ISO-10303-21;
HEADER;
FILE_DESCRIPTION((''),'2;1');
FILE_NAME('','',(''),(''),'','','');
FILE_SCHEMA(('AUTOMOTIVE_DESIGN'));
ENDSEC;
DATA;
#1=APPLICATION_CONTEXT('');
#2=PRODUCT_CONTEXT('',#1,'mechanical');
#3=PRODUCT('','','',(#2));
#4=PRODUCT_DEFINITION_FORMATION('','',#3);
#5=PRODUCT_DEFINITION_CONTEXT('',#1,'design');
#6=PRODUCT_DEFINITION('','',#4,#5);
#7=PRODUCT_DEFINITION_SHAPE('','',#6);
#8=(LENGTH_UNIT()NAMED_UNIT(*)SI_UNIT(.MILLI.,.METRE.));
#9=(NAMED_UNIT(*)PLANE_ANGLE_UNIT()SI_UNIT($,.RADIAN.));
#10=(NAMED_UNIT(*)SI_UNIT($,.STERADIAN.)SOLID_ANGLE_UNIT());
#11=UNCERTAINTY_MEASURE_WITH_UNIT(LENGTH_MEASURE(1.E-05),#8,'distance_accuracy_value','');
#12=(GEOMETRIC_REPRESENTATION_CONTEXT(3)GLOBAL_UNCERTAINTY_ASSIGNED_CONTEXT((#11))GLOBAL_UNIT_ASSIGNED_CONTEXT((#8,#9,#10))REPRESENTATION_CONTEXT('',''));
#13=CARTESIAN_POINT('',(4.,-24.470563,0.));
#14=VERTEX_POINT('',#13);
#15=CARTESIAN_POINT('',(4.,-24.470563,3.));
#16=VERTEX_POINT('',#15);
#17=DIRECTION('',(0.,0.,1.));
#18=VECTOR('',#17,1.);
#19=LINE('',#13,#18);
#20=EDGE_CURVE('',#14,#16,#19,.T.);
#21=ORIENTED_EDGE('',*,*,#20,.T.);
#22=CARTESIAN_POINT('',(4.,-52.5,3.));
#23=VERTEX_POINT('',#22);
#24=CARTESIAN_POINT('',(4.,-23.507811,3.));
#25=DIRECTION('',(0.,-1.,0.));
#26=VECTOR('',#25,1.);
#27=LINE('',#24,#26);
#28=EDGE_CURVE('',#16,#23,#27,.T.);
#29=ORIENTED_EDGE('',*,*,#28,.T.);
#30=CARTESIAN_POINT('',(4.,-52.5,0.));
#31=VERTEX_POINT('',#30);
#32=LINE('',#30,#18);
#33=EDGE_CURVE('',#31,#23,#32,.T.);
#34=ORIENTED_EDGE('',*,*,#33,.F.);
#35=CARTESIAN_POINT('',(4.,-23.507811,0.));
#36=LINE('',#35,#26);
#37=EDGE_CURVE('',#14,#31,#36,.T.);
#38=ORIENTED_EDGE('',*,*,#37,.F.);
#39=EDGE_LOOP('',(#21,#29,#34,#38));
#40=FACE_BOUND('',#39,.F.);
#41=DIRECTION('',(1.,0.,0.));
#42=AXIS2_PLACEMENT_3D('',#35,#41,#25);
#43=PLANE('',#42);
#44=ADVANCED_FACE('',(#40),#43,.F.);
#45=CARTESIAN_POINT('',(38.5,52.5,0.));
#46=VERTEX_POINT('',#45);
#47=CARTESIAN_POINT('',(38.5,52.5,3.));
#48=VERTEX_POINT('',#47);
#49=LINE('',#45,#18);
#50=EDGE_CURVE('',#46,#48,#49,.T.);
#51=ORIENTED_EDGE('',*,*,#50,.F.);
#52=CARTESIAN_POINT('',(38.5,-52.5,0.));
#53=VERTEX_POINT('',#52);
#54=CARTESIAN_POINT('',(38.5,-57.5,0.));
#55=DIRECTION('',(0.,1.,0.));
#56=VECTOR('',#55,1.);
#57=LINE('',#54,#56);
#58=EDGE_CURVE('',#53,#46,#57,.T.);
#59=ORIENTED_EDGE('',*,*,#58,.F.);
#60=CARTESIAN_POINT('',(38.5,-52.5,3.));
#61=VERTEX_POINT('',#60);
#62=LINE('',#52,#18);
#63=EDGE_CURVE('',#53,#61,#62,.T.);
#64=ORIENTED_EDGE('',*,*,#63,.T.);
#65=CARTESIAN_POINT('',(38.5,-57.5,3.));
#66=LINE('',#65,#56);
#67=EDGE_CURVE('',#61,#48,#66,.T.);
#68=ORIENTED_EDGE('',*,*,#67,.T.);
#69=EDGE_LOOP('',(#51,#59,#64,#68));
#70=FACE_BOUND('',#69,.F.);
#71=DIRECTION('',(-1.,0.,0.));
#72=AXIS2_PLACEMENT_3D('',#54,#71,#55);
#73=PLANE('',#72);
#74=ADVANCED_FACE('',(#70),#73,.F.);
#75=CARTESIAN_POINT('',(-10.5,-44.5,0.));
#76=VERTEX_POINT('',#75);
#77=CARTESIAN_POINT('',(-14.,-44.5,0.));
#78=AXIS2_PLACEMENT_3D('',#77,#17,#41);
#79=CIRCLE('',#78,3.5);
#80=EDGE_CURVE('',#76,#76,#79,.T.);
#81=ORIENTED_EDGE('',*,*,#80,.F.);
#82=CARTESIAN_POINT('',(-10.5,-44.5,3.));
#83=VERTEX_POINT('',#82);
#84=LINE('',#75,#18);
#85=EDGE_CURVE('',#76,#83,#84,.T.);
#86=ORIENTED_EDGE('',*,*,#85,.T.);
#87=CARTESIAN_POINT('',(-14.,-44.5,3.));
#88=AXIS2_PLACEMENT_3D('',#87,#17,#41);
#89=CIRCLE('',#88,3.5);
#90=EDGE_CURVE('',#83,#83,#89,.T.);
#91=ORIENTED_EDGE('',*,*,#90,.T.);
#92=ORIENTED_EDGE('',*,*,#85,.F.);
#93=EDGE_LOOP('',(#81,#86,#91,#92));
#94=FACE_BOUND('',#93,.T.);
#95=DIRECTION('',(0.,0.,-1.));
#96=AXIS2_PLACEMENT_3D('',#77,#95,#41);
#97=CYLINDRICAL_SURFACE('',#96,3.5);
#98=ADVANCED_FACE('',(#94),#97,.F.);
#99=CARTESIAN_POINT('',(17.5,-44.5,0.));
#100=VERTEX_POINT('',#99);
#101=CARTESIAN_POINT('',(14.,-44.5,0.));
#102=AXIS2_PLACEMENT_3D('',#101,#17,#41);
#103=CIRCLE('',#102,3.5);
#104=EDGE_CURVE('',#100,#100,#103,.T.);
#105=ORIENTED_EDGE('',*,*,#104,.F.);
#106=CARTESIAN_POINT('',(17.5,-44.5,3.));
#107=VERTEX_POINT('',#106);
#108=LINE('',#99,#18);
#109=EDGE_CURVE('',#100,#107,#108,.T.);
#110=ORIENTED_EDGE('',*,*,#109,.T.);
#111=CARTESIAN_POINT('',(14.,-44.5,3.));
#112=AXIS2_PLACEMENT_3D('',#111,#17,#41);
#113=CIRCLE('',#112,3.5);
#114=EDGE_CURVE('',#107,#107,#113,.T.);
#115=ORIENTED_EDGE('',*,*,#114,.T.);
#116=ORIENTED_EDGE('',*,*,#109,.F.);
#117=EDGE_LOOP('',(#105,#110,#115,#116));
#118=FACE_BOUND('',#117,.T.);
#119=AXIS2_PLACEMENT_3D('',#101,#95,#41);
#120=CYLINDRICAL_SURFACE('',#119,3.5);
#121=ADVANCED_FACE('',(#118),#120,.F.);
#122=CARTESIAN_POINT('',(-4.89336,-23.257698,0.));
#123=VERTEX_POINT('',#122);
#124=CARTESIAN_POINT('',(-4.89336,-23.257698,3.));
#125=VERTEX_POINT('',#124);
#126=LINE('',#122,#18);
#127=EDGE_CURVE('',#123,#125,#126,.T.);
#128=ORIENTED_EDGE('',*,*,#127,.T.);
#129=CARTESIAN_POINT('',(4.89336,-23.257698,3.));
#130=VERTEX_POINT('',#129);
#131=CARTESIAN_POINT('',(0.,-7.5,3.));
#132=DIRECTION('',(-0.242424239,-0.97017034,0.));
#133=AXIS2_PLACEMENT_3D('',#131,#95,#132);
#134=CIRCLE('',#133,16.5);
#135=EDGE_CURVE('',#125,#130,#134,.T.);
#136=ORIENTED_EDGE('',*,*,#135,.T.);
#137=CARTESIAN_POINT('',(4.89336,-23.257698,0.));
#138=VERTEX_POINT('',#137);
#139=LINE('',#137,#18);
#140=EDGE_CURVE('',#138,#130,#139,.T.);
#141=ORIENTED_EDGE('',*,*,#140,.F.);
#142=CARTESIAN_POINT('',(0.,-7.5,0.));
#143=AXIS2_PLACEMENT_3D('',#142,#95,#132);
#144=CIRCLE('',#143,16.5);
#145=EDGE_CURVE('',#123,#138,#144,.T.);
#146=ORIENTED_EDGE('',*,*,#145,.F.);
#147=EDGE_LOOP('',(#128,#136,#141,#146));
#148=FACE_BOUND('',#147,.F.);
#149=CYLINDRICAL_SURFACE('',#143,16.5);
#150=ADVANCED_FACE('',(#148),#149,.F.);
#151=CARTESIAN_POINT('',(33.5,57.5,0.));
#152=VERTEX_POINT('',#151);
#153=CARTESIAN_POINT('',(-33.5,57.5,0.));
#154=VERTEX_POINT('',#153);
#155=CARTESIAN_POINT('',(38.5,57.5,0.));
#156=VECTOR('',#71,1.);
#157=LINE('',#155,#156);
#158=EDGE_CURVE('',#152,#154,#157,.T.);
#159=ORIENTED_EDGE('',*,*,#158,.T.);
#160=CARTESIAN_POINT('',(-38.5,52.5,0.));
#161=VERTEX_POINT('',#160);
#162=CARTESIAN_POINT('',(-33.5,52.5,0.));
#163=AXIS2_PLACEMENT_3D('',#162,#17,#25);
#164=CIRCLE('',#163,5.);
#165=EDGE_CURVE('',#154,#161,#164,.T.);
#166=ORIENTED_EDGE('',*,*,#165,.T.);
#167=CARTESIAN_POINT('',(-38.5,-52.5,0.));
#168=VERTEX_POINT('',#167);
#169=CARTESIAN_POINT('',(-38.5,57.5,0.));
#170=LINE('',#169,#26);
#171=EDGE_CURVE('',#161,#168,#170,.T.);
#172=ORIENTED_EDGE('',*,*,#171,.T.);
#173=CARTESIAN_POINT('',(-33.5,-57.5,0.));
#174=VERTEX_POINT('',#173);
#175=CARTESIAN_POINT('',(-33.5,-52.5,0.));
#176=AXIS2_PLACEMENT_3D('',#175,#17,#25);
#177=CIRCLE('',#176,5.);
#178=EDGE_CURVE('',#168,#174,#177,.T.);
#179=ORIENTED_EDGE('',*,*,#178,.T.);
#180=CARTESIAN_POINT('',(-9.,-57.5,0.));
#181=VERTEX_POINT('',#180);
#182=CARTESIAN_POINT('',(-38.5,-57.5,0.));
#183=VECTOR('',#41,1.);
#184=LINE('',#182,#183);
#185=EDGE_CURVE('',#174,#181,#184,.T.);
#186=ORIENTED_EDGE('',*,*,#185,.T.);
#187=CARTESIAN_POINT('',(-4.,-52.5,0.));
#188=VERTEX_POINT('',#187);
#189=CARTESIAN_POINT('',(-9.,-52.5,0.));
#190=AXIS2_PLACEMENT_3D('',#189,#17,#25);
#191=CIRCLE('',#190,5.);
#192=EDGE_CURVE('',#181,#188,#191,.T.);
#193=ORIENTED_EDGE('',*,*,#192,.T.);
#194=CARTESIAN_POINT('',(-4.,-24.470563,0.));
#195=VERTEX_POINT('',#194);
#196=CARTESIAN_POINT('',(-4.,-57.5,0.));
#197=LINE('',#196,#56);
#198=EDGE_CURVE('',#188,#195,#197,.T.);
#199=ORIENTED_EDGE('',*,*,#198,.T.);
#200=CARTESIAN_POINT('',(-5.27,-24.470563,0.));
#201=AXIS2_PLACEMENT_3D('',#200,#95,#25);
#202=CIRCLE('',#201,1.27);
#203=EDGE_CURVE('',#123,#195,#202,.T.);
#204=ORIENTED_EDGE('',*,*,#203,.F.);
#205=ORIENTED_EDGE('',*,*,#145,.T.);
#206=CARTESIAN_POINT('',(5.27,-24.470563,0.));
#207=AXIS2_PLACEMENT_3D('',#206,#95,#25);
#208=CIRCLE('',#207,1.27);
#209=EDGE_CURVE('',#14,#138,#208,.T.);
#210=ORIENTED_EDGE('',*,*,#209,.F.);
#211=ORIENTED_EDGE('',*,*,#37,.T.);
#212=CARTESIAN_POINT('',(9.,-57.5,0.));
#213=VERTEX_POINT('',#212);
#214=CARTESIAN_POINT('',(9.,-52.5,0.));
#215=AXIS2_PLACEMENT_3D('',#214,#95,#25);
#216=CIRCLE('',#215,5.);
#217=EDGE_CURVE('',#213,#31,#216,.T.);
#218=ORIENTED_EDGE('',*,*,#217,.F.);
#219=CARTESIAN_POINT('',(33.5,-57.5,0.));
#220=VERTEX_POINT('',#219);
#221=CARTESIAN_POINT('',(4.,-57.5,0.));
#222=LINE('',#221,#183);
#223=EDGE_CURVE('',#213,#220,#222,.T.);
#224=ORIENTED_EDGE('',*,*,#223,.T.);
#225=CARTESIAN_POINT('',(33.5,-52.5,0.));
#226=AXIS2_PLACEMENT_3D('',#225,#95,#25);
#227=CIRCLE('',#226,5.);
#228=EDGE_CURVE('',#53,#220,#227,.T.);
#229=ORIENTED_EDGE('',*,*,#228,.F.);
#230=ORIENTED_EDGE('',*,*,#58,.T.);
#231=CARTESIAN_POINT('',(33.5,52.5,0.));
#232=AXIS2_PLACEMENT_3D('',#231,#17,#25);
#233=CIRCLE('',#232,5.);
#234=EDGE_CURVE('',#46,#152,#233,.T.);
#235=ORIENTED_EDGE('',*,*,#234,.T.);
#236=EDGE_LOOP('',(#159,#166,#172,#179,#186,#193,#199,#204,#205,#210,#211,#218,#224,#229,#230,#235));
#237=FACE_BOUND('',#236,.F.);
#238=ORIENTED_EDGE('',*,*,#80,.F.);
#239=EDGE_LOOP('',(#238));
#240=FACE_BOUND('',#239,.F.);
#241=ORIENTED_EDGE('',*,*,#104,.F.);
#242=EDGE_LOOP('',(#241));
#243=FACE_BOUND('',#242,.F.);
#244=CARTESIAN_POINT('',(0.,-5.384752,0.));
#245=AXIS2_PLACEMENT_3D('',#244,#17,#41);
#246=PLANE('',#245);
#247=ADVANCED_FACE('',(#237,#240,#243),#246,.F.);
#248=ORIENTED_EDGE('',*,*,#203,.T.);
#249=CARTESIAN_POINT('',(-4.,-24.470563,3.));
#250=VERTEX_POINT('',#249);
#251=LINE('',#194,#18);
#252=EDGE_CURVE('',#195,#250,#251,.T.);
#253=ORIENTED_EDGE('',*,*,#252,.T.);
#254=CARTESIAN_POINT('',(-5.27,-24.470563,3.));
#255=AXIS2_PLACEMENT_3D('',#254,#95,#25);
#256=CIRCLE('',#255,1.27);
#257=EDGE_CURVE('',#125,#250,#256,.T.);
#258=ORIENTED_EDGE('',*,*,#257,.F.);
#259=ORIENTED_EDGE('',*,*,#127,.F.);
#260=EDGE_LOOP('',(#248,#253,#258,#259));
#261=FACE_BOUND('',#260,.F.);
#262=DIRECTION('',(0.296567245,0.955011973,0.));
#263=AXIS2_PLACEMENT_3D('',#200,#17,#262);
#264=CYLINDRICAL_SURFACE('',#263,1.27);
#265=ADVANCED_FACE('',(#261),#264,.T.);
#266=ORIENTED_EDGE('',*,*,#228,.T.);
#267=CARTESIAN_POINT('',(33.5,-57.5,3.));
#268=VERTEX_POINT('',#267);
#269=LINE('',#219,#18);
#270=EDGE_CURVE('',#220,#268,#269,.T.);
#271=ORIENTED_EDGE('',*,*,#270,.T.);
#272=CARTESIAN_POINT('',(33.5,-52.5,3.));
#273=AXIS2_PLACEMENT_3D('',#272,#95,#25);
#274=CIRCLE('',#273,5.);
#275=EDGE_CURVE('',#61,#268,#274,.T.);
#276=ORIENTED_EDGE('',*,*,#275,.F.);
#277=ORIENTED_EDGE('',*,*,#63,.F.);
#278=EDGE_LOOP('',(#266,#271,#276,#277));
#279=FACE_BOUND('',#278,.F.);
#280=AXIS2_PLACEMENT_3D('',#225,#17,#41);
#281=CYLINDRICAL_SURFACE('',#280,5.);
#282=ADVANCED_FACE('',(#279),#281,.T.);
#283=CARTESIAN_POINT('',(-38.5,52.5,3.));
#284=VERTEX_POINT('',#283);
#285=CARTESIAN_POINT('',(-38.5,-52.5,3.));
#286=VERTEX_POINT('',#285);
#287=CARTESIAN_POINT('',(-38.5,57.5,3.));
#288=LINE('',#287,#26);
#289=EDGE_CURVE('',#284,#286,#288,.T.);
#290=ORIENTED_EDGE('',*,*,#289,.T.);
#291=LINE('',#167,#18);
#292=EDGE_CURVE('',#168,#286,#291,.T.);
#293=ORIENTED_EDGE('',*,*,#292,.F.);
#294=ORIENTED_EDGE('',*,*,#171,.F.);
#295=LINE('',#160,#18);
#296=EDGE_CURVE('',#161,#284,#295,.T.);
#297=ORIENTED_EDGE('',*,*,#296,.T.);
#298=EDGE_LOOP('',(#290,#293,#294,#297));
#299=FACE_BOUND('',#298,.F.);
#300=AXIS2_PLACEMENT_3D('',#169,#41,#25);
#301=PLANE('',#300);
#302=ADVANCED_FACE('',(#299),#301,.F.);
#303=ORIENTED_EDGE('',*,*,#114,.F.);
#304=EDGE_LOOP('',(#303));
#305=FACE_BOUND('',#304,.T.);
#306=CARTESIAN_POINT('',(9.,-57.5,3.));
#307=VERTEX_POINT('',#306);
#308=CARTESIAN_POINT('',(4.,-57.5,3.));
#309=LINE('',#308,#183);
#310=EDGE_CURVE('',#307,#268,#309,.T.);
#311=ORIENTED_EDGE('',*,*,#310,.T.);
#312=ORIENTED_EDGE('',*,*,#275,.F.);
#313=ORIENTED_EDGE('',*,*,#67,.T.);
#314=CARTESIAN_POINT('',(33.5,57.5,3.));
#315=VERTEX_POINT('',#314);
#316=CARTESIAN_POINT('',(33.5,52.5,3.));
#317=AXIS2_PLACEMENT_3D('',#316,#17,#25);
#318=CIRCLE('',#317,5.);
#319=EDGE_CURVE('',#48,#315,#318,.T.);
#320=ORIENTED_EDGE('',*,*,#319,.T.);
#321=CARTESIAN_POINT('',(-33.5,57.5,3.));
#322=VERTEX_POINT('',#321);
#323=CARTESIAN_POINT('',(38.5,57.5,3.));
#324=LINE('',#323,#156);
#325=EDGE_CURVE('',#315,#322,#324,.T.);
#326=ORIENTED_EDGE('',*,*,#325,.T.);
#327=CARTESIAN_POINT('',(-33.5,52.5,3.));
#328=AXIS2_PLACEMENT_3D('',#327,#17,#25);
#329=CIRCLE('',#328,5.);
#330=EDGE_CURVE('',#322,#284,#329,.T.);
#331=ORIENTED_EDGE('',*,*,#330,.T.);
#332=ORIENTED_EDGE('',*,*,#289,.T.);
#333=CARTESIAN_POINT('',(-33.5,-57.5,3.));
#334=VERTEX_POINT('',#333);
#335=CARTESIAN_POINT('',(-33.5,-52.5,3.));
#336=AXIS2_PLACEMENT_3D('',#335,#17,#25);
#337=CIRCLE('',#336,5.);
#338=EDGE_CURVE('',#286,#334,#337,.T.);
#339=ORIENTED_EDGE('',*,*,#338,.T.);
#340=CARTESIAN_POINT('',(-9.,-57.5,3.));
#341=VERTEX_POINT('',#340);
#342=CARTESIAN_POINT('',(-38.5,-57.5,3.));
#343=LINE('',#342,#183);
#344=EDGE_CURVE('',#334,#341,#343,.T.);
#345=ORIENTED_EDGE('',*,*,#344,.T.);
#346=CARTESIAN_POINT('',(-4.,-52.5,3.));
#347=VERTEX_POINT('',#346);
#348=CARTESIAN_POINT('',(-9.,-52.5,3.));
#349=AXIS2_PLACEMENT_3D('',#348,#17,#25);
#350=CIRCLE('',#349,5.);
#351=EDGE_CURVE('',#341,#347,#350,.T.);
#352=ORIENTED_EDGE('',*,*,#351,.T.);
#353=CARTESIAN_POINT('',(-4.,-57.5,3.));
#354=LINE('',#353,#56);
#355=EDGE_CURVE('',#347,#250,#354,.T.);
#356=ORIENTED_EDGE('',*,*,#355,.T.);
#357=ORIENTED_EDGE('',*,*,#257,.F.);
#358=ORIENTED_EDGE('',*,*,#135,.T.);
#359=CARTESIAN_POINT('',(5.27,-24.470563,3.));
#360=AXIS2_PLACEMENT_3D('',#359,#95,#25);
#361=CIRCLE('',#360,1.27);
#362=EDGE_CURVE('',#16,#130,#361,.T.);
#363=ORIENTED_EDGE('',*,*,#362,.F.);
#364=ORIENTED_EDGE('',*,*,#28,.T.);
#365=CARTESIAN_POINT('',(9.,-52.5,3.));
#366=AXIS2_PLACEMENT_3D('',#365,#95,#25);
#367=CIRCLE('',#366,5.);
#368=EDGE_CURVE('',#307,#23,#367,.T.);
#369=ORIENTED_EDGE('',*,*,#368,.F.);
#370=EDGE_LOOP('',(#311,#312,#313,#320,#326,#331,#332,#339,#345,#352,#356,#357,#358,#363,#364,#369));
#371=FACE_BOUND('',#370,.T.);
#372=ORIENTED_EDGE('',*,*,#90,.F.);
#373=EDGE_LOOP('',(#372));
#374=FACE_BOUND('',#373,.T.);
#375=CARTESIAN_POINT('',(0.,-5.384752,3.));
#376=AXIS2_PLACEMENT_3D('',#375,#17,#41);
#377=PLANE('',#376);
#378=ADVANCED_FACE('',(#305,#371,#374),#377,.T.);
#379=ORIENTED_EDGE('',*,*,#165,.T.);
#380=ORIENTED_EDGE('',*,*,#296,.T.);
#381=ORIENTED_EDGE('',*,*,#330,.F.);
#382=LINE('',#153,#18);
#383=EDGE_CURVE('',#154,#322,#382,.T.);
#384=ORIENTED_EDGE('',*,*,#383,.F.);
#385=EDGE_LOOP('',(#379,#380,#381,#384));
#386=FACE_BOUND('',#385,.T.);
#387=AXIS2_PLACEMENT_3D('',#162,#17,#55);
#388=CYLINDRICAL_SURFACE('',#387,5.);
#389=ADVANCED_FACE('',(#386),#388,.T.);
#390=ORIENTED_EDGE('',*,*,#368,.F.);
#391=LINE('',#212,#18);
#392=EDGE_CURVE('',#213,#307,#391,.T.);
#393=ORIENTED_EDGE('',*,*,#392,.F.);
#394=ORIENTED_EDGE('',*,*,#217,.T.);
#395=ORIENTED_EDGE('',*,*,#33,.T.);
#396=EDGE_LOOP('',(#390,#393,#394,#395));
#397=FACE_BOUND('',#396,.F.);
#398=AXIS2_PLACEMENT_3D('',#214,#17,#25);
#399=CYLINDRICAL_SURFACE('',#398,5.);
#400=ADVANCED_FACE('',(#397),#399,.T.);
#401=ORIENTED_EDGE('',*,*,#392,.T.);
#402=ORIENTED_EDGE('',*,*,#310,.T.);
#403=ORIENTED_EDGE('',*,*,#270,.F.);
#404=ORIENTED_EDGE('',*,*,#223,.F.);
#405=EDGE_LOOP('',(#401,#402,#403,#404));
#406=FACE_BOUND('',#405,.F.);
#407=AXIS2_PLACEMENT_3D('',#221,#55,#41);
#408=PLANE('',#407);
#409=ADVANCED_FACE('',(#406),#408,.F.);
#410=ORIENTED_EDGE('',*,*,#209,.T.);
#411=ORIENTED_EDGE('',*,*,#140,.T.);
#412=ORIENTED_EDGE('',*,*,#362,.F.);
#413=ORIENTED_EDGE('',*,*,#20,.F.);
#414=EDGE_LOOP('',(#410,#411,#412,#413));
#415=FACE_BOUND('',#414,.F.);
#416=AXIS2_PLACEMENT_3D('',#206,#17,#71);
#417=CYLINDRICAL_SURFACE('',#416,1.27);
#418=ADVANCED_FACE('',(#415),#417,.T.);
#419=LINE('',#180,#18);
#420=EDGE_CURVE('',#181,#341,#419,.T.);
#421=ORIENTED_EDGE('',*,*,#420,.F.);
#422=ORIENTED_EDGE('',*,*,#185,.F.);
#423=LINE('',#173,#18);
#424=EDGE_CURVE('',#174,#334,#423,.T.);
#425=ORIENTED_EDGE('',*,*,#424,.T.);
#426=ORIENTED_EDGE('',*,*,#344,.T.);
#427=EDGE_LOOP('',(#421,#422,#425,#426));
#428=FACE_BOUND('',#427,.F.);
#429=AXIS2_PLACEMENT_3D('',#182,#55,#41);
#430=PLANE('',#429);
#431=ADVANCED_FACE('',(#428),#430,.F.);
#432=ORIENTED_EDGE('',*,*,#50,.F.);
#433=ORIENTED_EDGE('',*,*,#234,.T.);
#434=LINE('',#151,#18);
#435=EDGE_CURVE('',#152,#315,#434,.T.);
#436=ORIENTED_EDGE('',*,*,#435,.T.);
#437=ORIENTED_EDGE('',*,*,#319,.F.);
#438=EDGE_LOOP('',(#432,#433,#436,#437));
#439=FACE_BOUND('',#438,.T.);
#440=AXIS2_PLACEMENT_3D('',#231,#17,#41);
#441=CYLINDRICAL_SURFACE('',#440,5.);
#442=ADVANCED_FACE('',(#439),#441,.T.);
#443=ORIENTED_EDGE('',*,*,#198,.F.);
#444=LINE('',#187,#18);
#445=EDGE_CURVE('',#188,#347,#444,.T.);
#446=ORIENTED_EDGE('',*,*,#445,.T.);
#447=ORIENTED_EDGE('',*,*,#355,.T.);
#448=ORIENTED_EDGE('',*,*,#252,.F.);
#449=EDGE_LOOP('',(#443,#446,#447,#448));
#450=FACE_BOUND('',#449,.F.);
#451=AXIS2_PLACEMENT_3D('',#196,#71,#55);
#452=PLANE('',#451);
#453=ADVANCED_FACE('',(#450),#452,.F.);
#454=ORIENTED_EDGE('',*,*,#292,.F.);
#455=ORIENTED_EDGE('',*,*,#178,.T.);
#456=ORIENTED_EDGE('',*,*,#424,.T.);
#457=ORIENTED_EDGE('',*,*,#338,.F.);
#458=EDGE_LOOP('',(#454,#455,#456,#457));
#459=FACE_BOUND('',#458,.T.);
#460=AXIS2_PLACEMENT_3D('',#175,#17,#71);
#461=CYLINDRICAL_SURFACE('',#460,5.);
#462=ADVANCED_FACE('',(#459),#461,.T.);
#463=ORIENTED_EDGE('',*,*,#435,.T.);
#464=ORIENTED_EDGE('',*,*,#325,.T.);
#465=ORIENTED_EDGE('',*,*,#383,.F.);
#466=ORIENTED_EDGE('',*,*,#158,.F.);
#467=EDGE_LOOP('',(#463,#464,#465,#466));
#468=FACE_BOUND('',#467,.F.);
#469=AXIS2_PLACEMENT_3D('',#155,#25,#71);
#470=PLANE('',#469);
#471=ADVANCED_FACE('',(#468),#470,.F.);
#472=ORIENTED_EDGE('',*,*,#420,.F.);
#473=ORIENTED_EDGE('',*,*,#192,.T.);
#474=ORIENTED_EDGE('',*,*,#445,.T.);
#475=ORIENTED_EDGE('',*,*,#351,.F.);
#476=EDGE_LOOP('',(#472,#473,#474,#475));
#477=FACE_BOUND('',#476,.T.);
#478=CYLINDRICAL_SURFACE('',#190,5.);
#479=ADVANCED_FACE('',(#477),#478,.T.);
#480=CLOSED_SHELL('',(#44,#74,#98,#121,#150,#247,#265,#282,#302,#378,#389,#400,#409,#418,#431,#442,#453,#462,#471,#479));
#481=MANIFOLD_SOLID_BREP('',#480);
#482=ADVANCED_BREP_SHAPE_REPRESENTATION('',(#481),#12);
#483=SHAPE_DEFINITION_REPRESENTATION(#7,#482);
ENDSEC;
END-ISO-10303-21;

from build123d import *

# Parameters (mm, degrees)
F0_R     = 3.5
F1_DEPTH = 3
F2_R     = 5
F3_R     = 1.27


with BuildPart() as f1:
    # F0 (on Top) → F1 (new body)
    with BuildSketch(Plane.XY):
        with BuildLine():
            Line((38.5, -57.5), (38.5, 57.5))
            Line((38.5, 57.5), (-38.5, 57.5))
            Line((-38.5, 57.5), (-38.5, -57.5))
            Line((-38.5, -57.5), (-4, -57.5))
            Line((-4, -57.5), (-4, -23.507811))
            ThreePointArc((-4, -23.507811), (0, 9), (4, -23.507811))
            Line((4, -23.507811), (4, -57.5))
            Line((4, -57.5), (38.5, -57.5))
        make_face()
        with Locations((-14, -44.5)):
            Circle(F0_R, mode=Mode.SUBTRACT)
        with Locations((14, -44.5)):
            Circle(F0_R, mode=Mode.SUBTRACT)
    extrude(amount=F1_DEPTH)

    # F2
    f2_edges = [f1.edges().sort_by_distance(p)[0] for p in [
        (-38.5, 57.5, 1.5),
        (38.5, 57.5, 1.5),
        (-38.5, -57.5, 1.5),
        (38.5, -57.5, 1.5),
        (4, -57.5, 1.5),
        (-4, -57.5, 1.5),
    ]]
    fillet(f2_edges, radius=F2_R)

    # F3
    f3_edges = [f1.edges().sort_by_distance(p)[0] for p in [
        (4, -23.507811, 1.5),
        (-4, -23.507811, 1.5),
    ]]
    fillet(f3_edges, radius=F3_R)


solid = f1.part
